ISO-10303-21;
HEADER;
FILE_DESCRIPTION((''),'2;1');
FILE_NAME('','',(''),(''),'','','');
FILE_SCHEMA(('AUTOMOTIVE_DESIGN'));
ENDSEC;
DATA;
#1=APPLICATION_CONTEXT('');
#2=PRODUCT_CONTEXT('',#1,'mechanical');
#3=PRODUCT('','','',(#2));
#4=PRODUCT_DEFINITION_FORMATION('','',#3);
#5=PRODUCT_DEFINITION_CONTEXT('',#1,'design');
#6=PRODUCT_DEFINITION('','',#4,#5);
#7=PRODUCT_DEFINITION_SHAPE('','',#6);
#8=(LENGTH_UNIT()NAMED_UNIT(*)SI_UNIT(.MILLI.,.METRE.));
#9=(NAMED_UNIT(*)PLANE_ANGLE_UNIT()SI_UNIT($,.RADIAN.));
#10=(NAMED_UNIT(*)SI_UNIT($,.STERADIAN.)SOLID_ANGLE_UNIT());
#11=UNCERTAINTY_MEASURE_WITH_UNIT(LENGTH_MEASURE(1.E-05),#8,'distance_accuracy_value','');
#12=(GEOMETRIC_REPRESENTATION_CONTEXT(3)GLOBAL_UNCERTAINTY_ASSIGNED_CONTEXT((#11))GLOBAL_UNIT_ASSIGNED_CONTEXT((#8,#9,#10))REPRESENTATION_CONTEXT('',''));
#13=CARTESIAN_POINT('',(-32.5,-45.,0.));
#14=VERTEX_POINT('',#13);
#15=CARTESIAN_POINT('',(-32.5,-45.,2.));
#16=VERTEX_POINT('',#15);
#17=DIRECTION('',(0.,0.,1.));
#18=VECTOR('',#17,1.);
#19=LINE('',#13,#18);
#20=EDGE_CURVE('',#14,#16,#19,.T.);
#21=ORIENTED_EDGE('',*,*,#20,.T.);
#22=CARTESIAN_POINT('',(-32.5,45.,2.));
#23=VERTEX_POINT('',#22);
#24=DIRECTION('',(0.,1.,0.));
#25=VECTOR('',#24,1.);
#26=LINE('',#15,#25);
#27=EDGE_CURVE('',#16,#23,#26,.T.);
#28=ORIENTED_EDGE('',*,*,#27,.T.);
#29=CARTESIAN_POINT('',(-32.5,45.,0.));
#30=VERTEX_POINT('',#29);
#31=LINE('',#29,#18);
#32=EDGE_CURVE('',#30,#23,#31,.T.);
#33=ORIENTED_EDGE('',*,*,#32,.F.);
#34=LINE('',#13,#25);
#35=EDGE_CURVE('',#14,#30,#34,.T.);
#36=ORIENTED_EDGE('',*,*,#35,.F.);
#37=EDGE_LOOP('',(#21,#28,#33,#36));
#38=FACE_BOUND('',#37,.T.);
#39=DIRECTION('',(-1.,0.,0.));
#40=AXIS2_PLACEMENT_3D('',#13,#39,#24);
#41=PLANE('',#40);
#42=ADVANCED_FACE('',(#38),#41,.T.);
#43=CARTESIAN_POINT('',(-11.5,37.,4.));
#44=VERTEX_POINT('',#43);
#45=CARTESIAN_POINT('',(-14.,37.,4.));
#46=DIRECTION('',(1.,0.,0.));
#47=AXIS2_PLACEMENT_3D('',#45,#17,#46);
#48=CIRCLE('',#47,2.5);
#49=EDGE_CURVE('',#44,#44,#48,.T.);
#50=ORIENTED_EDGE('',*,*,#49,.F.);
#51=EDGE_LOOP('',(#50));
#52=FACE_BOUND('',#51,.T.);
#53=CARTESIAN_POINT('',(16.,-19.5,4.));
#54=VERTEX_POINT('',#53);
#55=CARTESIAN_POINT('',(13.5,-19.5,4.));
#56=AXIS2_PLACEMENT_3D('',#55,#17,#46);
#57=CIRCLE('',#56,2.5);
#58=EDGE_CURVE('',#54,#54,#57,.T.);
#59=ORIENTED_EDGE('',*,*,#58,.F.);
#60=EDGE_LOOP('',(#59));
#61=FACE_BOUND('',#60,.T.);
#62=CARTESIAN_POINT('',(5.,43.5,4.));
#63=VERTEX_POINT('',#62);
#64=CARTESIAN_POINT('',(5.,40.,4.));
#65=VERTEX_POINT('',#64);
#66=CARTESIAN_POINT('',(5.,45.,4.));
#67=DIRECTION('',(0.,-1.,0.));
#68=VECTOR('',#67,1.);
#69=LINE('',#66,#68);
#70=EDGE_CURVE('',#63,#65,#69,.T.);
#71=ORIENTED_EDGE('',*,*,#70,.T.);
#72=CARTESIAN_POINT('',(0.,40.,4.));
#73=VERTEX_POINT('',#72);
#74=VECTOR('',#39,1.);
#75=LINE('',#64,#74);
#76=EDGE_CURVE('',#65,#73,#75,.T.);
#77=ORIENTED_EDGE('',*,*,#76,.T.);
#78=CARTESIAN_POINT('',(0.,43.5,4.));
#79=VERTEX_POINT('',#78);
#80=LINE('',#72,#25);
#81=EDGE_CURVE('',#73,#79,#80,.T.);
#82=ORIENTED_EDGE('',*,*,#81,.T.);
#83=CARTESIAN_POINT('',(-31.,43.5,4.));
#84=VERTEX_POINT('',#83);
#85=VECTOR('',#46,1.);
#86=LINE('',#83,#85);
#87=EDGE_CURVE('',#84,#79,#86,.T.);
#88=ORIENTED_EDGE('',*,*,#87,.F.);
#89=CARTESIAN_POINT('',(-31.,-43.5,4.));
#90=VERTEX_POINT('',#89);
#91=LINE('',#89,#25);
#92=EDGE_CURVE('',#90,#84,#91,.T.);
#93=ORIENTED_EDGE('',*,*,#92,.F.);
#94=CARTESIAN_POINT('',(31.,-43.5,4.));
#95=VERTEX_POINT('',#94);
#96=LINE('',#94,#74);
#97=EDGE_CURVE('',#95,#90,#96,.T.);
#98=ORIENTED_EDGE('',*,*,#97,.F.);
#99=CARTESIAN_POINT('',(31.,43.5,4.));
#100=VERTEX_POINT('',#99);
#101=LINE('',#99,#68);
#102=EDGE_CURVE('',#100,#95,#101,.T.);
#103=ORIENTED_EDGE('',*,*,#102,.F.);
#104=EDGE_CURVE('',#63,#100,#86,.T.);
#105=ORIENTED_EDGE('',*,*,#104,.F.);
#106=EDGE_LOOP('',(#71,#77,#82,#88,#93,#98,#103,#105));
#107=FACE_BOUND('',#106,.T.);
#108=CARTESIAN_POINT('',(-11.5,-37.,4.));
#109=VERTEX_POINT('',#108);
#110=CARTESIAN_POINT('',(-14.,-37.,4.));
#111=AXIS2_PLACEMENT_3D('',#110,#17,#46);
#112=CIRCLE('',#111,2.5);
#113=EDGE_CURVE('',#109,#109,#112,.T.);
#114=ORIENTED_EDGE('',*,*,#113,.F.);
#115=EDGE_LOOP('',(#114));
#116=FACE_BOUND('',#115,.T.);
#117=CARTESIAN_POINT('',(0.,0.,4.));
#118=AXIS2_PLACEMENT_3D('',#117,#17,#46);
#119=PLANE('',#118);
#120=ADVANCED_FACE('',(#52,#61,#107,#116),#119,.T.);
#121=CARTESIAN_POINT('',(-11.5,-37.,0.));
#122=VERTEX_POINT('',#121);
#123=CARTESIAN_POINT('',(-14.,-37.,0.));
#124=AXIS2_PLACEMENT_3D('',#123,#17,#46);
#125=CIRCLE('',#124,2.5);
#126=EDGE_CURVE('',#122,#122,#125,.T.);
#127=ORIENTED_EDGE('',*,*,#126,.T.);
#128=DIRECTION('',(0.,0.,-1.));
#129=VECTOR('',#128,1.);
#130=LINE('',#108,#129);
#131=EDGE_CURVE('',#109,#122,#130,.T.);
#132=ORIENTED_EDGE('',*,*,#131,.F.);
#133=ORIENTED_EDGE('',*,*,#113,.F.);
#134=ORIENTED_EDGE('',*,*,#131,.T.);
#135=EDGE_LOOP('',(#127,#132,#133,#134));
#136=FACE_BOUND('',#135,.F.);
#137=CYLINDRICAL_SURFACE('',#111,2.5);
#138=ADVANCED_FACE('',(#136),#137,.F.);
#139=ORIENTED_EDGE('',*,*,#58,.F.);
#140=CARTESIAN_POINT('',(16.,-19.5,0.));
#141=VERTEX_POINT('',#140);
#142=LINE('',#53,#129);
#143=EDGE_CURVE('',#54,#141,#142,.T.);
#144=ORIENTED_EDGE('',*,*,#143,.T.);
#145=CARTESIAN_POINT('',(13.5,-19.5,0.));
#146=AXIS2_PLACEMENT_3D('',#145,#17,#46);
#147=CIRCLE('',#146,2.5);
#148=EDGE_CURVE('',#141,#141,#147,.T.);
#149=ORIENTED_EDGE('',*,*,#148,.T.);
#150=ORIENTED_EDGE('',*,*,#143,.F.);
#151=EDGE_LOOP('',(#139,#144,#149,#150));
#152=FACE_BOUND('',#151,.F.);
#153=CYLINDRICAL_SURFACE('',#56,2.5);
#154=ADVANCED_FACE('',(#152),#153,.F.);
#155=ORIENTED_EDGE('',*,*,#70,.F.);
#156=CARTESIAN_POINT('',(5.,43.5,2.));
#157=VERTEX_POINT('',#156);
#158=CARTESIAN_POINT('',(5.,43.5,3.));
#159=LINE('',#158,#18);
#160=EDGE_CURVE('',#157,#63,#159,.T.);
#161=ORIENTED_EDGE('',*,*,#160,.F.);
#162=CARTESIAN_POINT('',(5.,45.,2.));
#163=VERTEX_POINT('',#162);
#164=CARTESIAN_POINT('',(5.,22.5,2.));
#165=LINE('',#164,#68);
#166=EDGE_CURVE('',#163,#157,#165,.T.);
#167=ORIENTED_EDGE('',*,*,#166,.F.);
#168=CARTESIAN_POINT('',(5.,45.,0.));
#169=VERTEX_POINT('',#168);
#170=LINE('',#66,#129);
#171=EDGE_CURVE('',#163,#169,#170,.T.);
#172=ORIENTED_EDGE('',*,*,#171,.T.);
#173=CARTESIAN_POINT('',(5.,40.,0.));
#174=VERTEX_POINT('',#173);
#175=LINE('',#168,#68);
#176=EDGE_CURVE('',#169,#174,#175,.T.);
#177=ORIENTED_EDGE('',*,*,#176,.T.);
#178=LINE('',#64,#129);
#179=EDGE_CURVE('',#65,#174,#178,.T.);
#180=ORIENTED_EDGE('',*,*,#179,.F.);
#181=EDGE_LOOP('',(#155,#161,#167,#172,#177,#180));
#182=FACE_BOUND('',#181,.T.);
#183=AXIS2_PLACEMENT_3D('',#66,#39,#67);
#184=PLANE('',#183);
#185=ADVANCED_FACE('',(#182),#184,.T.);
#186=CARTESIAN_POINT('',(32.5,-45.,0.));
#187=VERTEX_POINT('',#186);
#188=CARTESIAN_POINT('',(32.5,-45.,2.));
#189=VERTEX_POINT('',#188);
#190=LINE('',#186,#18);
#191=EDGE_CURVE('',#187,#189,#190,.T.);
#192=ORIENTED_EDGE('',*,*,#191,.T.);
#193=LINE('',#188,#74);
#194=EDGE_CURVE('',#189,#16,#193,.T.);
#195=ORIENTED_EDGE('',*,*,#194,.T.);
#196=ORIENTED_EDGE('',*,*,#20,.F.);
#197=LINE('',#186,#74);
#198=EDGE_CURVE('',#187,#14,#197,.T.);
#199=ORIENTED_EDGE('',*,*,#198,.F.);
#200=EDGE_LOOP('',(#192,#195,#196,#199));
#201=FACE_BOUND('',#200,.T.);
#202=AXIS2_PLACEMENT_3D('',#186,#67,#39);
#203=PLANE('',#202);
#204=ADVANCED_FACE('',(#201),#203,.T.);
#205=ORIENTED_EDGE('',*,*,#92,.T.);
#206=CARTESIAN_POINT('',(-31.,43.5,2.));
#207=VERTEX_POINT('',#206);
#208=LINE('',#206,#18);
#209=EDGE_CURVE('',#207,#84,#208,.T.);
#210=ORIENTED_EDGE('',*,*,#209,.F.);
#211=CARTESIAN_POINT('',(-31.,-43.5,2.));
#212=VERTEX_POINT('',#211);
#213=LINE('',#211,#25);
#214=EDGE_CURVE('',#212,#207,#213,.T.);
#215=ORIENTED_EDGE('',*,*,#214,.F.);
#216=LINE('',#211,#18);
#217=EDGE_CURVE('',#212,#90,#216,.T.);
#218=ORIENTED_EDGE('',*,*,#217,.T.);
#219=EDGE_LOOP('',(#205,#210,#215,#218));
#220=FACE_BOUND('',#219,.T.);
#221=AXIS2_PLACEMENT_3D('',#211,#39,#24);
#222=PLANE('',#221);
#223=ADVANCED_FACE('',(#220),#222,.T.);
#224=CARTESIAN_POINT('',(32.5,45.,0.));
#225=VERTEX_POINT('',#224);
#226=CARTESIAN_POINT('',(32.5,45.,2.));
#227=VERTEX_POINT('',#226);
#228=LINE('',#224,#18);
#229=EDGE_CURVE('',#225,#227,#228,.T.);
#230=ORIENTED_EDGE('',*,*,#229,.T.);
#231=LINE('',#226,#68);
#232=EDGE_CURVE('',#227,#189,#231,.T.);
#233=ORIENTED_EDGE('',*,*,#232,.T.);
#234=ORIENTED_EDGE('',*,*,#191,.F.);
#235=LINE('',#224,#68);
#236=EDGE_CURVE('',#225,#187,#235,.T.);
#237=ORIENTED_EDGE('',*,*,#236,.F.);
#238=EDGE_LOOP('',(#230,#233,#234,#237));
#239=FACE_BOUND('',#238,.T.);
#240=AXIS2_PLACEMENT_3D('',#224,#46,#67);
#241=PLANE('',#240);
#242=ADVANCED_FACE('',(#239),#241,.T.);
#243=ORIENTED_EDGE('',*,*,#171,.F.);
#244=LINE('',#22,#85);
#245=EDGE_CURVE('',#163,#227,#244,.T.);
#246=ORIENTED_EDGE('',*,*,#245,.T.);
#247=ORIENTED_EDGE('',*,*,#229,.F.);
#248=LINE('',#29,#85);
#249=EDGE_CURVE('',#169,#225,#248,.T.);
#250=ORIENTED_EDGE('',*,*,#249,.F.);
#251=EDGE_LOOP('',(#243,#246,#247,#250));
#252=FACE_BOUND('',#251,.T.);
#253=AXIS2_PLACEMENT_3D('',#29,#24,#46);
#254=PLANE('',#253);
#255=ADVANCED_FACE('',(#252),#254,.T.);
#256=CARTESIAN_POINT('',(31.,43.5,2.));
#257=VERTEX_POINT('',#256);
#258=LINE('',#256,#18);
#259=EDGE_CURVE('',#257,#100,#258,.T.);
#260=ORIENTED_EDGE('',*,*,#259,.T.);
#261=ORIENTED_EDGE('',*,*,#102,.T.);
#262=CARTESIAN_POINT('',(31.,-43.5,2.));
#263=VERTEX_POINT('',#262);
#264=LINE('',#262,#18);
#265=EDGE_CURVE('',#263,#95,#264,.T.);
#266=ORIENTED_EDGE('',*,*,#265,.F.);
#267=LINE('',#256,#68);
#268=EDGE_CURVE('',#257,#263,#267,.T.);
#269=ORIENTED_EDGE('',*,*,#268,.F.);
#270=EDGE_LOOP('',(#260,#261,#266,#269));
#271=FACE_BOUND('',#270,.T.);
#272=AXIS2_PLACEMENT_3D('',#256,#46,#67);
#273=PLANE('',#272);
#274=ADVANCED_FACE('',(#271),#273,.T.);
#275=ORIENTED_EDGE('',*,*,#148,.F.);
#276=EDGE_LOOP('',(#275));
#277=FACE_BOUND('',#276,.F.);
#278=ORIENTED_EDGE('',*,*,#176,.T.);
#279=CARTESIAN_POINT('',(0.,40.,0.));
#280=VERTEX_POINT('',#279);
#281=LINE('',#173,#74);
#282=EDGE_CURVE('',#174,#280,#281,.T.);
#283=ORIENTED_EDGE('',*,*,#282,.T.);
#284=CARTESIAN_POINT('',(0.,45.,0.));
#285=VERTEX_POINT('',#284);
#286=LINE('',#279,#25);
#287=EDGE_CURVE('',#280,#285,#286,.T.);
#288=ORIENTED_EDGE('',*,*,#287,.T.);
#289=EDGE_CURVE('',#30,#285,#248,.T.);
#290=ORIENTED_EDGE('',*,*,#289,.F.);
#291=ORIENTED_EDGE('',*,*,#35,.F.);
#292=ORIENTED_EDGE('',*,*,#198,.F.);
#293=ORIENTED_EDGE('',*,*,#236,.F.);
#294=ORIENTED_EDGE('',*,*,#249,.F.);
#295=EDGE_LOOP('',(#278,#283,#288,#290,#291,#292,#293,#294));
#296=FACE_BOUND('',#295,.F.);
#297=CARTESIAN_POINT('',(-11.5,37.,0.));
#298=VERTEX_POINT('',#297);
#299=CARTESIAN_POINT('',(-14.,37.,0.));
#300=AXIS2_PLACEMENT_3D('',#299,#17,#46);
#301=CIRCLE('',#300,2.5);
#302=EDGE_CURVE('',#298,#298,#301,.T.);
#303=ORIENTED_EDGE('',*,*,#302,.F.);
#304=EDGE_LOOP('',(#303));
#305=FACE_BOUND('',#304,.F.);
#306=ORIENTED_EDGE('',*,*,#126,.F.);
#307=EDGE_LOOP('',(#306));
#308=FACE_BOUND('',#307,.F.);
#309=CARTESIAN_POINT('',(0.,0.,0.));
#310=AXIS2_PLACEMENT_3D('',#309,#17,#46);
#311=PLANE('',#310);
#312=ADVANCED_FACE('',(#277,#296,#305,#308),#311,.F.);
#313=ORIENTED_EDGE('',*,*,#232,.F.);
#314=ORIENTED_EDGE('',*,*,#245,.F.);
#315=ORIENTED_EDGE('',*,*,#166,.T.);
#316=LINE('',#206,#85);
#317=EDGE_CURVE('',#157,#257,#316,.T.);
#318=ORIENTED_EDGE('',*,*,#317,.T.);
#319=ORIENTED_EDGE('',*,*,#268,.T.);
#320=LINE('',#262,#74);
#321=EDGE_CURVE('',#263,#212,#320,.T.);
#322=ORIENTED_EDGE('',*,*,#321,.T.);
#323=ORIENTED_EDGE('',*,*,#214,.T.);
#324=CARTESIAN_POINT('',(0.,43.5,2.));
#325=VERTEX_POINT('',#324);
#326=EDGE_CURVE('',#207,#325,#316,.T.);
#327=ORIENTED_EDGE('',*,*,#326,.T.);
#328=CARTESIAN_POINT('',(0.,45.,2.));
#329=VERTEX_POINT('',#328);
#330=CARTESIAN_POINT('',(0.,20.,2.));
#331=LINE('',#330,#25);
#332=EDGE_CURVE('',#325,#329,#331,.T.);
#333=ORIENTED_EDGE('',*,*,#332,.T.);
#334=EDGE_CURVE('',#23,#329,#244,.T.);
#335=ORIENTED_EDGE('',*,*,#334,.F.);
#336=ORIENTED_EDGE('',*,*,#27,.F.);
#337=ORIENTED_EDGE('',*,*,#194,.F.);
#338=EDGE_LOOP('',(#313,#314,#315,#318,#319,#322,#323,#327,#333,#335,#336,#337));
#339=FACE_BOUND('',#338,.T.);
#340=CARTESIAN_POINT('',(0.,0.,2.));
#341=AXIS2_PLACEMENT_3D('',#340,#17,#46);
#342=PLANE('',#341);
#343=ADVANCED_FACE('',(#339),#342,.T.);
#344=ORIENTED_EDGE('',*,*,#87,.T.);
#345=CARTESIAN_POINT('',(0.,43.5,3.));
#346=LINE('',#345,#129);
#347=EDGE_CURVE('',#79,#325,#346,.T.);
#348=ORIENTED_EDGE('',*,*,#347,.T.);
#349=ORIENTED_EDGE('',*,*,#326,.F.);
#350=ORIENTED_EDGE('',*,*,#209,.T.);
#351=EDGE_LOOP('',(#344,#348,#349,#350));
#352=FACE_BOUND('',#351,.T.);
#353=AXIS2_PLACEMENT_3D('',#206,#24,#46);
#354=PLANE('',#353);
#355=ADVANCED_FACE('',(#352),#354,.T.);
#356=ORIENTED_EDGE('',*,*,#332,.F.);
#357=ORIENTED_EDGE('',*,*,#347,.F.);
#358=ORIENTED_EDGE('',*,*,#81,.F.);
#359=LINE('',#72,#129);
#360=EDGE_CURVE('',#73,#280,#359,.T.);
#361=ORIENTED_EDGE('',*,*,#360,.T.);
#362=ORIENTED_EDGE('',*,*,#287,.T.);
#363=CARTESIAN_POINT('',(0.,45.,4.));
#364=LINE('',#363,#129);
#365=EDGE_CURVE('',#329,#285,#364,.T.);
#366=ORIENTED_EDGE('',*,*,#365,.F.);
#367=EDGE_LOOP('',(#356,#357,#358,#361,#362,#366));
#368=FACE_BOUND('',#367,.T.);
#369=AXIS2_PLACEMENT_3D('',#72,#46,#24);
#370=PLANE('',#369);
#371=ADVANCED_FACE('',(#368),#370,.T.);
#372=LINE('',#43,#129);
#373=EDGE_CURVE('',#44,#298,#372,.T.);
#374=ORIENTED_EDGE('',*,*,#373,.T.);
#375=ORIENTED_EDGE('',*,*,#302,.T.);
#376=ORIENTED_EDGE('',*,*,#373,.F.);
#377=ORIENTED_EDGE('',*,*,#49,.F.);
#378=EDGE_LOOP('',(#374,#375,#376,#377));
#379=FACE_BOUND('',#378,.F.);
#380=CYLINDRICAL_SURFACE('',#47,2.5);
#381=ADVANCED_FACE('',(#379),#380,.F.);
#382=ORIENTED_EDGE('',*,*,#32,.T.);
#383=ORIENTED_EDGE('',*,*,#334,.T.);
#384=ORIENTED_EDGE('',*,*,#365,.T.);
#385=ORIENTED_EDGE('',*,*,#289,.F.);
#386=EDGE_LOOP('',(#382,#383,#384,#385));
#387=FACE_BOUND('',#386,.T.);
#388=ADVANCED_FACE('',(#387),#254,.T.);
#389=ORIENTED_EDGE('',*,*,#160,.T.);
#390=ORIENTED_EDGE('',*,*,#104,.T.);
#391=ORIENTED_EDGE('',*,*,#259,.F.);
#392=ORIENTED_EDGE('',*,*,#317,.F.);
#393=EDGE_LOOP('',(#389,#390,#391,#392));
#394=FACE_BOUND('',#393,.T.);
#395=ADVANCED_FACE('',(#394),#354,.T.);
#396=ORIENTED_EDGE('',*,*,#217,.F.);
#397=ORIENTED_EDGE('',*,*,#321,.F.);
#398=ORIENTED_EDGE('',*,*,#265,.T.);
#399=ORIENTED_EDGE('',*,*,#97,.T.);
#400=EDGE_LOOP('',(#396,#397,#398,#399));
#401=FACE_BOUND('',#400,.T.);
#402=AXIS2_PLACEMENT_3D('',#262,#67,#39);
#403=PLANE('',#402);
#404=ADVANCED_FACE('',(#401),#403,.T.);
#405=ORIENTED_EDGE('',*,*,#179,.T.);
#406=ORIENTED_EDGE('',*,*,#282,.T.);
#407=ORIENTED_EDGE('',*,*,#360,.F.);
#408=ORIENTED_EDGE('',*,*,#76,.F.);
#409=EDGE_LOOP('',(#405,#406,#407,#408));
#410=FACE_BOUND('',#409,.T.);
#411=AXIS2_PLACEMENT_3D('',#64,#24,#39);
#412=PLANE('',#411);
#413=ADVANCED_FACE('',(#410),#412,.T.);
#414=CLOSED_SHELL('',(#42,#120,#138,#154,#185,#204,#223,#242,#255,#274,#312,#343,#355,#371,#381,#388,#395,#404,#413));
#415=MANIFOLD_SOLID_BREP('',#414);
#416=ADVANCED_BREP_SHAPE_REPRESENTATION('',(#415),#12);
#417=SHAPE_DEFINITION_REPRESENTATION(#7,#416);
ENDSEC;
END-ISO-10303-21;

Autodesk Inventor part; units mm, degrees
ref_plane "YZ Plane" through (0, 0, 0) normal (1, 0, 0) x (0, 1, 0)
ref_plane "XZ Plane" through (0, 0, 0) normal (0, 1, 0) x (-1, 0, 0)
ref_plane "XY Plane" through (0, 0, 0) normal (0, 0, 1) x (1, 0, 0)
sketch "스케치1" plane through (0, 0, 0) normal (0, 0, 1) x (1, 0, 0)
  line L0 (-32.5, 45) -> (32.5, 45)
  line L1 (32.5, 45) -> (32.5, -45)
  line L2 (32.5, -45) -> (-32.5, -45)
  line L3 (-32.5, -45) -> (-32.5, 45)
  line L4 (-32.5, 45) -> (32.5, -45) construction
  line L5 (32.5, 45) -> (-32.5, -45) construction
  point P0 (0, 0)
  dimension "d0" = 65
  dimension "d1" = 90
extrude "돌출1" add sketch "스케치1" along normal blind 2
sketch "스케치3" plane through (0, 0, 2) normal (0, 0, 1) x (1, 0, 0)
  line L0 (-31, 43.5) -> (31, 43.5)
  line L1 (31, 43.5) -> (31, -43.5)
  line L2 (31, -43.5) -> (-31, -43.5)
  line L3 (-31, -43.5) -> (-31, 43.5)
  line L4 (-31, 43.5) -> (31, -43.5) construction
  line L5 (31, 43.5) -> (-31, -43.5) construction
  point P0 (0, 0)
  dimension "d8" = 62
  dimension "d9" = 87
extrude "돌출3" add sketch "스케치3" along normal blind 2
sketch "스케치5" plane through (0, 0, 4) normal (0, 0, 1) x (1, 0, 0)
  line L0 (32.5, 45) -> (-32.5, 45) projected
  line L1 (0, 45) -> (5, 45)
  line L2 (5, 45) -> (5, 40)
  line L3 (5, 40) -> (0, 40)
  line L4 (0, 40) -> (0, 45)
  point P0 (0, 0)
  dimension "d14" = 5
  dimension "d15" = 5
extrude "돌출4" cut sketch "스케치5" against normal blind 4
sketch "스케치6" plane through (0, 0, 4) normal (0, 0, 1) x (1, 0, 0)
  circle A0 centre (-14, 37) radius 2.5
  circle A1 centre (-14, -37) radius 2.5
  circle A2 centre (13.5, -19.5) radius 2.5
  point P0 (0, 0)
  dimension "d18" = 5
  dimension "d19" = 37
  dimension "d20" = 14
  dimension "d21" = 5
  dimension "d22" = 37
  dimension "d23" = 14
  dimension "d24" = 5
  dimension "d25" = 13.5
  dimension "d26" = 17.5
extrude "돌출5" cut sketch "스케치6" against normal blind 4
properties part number "upper"
